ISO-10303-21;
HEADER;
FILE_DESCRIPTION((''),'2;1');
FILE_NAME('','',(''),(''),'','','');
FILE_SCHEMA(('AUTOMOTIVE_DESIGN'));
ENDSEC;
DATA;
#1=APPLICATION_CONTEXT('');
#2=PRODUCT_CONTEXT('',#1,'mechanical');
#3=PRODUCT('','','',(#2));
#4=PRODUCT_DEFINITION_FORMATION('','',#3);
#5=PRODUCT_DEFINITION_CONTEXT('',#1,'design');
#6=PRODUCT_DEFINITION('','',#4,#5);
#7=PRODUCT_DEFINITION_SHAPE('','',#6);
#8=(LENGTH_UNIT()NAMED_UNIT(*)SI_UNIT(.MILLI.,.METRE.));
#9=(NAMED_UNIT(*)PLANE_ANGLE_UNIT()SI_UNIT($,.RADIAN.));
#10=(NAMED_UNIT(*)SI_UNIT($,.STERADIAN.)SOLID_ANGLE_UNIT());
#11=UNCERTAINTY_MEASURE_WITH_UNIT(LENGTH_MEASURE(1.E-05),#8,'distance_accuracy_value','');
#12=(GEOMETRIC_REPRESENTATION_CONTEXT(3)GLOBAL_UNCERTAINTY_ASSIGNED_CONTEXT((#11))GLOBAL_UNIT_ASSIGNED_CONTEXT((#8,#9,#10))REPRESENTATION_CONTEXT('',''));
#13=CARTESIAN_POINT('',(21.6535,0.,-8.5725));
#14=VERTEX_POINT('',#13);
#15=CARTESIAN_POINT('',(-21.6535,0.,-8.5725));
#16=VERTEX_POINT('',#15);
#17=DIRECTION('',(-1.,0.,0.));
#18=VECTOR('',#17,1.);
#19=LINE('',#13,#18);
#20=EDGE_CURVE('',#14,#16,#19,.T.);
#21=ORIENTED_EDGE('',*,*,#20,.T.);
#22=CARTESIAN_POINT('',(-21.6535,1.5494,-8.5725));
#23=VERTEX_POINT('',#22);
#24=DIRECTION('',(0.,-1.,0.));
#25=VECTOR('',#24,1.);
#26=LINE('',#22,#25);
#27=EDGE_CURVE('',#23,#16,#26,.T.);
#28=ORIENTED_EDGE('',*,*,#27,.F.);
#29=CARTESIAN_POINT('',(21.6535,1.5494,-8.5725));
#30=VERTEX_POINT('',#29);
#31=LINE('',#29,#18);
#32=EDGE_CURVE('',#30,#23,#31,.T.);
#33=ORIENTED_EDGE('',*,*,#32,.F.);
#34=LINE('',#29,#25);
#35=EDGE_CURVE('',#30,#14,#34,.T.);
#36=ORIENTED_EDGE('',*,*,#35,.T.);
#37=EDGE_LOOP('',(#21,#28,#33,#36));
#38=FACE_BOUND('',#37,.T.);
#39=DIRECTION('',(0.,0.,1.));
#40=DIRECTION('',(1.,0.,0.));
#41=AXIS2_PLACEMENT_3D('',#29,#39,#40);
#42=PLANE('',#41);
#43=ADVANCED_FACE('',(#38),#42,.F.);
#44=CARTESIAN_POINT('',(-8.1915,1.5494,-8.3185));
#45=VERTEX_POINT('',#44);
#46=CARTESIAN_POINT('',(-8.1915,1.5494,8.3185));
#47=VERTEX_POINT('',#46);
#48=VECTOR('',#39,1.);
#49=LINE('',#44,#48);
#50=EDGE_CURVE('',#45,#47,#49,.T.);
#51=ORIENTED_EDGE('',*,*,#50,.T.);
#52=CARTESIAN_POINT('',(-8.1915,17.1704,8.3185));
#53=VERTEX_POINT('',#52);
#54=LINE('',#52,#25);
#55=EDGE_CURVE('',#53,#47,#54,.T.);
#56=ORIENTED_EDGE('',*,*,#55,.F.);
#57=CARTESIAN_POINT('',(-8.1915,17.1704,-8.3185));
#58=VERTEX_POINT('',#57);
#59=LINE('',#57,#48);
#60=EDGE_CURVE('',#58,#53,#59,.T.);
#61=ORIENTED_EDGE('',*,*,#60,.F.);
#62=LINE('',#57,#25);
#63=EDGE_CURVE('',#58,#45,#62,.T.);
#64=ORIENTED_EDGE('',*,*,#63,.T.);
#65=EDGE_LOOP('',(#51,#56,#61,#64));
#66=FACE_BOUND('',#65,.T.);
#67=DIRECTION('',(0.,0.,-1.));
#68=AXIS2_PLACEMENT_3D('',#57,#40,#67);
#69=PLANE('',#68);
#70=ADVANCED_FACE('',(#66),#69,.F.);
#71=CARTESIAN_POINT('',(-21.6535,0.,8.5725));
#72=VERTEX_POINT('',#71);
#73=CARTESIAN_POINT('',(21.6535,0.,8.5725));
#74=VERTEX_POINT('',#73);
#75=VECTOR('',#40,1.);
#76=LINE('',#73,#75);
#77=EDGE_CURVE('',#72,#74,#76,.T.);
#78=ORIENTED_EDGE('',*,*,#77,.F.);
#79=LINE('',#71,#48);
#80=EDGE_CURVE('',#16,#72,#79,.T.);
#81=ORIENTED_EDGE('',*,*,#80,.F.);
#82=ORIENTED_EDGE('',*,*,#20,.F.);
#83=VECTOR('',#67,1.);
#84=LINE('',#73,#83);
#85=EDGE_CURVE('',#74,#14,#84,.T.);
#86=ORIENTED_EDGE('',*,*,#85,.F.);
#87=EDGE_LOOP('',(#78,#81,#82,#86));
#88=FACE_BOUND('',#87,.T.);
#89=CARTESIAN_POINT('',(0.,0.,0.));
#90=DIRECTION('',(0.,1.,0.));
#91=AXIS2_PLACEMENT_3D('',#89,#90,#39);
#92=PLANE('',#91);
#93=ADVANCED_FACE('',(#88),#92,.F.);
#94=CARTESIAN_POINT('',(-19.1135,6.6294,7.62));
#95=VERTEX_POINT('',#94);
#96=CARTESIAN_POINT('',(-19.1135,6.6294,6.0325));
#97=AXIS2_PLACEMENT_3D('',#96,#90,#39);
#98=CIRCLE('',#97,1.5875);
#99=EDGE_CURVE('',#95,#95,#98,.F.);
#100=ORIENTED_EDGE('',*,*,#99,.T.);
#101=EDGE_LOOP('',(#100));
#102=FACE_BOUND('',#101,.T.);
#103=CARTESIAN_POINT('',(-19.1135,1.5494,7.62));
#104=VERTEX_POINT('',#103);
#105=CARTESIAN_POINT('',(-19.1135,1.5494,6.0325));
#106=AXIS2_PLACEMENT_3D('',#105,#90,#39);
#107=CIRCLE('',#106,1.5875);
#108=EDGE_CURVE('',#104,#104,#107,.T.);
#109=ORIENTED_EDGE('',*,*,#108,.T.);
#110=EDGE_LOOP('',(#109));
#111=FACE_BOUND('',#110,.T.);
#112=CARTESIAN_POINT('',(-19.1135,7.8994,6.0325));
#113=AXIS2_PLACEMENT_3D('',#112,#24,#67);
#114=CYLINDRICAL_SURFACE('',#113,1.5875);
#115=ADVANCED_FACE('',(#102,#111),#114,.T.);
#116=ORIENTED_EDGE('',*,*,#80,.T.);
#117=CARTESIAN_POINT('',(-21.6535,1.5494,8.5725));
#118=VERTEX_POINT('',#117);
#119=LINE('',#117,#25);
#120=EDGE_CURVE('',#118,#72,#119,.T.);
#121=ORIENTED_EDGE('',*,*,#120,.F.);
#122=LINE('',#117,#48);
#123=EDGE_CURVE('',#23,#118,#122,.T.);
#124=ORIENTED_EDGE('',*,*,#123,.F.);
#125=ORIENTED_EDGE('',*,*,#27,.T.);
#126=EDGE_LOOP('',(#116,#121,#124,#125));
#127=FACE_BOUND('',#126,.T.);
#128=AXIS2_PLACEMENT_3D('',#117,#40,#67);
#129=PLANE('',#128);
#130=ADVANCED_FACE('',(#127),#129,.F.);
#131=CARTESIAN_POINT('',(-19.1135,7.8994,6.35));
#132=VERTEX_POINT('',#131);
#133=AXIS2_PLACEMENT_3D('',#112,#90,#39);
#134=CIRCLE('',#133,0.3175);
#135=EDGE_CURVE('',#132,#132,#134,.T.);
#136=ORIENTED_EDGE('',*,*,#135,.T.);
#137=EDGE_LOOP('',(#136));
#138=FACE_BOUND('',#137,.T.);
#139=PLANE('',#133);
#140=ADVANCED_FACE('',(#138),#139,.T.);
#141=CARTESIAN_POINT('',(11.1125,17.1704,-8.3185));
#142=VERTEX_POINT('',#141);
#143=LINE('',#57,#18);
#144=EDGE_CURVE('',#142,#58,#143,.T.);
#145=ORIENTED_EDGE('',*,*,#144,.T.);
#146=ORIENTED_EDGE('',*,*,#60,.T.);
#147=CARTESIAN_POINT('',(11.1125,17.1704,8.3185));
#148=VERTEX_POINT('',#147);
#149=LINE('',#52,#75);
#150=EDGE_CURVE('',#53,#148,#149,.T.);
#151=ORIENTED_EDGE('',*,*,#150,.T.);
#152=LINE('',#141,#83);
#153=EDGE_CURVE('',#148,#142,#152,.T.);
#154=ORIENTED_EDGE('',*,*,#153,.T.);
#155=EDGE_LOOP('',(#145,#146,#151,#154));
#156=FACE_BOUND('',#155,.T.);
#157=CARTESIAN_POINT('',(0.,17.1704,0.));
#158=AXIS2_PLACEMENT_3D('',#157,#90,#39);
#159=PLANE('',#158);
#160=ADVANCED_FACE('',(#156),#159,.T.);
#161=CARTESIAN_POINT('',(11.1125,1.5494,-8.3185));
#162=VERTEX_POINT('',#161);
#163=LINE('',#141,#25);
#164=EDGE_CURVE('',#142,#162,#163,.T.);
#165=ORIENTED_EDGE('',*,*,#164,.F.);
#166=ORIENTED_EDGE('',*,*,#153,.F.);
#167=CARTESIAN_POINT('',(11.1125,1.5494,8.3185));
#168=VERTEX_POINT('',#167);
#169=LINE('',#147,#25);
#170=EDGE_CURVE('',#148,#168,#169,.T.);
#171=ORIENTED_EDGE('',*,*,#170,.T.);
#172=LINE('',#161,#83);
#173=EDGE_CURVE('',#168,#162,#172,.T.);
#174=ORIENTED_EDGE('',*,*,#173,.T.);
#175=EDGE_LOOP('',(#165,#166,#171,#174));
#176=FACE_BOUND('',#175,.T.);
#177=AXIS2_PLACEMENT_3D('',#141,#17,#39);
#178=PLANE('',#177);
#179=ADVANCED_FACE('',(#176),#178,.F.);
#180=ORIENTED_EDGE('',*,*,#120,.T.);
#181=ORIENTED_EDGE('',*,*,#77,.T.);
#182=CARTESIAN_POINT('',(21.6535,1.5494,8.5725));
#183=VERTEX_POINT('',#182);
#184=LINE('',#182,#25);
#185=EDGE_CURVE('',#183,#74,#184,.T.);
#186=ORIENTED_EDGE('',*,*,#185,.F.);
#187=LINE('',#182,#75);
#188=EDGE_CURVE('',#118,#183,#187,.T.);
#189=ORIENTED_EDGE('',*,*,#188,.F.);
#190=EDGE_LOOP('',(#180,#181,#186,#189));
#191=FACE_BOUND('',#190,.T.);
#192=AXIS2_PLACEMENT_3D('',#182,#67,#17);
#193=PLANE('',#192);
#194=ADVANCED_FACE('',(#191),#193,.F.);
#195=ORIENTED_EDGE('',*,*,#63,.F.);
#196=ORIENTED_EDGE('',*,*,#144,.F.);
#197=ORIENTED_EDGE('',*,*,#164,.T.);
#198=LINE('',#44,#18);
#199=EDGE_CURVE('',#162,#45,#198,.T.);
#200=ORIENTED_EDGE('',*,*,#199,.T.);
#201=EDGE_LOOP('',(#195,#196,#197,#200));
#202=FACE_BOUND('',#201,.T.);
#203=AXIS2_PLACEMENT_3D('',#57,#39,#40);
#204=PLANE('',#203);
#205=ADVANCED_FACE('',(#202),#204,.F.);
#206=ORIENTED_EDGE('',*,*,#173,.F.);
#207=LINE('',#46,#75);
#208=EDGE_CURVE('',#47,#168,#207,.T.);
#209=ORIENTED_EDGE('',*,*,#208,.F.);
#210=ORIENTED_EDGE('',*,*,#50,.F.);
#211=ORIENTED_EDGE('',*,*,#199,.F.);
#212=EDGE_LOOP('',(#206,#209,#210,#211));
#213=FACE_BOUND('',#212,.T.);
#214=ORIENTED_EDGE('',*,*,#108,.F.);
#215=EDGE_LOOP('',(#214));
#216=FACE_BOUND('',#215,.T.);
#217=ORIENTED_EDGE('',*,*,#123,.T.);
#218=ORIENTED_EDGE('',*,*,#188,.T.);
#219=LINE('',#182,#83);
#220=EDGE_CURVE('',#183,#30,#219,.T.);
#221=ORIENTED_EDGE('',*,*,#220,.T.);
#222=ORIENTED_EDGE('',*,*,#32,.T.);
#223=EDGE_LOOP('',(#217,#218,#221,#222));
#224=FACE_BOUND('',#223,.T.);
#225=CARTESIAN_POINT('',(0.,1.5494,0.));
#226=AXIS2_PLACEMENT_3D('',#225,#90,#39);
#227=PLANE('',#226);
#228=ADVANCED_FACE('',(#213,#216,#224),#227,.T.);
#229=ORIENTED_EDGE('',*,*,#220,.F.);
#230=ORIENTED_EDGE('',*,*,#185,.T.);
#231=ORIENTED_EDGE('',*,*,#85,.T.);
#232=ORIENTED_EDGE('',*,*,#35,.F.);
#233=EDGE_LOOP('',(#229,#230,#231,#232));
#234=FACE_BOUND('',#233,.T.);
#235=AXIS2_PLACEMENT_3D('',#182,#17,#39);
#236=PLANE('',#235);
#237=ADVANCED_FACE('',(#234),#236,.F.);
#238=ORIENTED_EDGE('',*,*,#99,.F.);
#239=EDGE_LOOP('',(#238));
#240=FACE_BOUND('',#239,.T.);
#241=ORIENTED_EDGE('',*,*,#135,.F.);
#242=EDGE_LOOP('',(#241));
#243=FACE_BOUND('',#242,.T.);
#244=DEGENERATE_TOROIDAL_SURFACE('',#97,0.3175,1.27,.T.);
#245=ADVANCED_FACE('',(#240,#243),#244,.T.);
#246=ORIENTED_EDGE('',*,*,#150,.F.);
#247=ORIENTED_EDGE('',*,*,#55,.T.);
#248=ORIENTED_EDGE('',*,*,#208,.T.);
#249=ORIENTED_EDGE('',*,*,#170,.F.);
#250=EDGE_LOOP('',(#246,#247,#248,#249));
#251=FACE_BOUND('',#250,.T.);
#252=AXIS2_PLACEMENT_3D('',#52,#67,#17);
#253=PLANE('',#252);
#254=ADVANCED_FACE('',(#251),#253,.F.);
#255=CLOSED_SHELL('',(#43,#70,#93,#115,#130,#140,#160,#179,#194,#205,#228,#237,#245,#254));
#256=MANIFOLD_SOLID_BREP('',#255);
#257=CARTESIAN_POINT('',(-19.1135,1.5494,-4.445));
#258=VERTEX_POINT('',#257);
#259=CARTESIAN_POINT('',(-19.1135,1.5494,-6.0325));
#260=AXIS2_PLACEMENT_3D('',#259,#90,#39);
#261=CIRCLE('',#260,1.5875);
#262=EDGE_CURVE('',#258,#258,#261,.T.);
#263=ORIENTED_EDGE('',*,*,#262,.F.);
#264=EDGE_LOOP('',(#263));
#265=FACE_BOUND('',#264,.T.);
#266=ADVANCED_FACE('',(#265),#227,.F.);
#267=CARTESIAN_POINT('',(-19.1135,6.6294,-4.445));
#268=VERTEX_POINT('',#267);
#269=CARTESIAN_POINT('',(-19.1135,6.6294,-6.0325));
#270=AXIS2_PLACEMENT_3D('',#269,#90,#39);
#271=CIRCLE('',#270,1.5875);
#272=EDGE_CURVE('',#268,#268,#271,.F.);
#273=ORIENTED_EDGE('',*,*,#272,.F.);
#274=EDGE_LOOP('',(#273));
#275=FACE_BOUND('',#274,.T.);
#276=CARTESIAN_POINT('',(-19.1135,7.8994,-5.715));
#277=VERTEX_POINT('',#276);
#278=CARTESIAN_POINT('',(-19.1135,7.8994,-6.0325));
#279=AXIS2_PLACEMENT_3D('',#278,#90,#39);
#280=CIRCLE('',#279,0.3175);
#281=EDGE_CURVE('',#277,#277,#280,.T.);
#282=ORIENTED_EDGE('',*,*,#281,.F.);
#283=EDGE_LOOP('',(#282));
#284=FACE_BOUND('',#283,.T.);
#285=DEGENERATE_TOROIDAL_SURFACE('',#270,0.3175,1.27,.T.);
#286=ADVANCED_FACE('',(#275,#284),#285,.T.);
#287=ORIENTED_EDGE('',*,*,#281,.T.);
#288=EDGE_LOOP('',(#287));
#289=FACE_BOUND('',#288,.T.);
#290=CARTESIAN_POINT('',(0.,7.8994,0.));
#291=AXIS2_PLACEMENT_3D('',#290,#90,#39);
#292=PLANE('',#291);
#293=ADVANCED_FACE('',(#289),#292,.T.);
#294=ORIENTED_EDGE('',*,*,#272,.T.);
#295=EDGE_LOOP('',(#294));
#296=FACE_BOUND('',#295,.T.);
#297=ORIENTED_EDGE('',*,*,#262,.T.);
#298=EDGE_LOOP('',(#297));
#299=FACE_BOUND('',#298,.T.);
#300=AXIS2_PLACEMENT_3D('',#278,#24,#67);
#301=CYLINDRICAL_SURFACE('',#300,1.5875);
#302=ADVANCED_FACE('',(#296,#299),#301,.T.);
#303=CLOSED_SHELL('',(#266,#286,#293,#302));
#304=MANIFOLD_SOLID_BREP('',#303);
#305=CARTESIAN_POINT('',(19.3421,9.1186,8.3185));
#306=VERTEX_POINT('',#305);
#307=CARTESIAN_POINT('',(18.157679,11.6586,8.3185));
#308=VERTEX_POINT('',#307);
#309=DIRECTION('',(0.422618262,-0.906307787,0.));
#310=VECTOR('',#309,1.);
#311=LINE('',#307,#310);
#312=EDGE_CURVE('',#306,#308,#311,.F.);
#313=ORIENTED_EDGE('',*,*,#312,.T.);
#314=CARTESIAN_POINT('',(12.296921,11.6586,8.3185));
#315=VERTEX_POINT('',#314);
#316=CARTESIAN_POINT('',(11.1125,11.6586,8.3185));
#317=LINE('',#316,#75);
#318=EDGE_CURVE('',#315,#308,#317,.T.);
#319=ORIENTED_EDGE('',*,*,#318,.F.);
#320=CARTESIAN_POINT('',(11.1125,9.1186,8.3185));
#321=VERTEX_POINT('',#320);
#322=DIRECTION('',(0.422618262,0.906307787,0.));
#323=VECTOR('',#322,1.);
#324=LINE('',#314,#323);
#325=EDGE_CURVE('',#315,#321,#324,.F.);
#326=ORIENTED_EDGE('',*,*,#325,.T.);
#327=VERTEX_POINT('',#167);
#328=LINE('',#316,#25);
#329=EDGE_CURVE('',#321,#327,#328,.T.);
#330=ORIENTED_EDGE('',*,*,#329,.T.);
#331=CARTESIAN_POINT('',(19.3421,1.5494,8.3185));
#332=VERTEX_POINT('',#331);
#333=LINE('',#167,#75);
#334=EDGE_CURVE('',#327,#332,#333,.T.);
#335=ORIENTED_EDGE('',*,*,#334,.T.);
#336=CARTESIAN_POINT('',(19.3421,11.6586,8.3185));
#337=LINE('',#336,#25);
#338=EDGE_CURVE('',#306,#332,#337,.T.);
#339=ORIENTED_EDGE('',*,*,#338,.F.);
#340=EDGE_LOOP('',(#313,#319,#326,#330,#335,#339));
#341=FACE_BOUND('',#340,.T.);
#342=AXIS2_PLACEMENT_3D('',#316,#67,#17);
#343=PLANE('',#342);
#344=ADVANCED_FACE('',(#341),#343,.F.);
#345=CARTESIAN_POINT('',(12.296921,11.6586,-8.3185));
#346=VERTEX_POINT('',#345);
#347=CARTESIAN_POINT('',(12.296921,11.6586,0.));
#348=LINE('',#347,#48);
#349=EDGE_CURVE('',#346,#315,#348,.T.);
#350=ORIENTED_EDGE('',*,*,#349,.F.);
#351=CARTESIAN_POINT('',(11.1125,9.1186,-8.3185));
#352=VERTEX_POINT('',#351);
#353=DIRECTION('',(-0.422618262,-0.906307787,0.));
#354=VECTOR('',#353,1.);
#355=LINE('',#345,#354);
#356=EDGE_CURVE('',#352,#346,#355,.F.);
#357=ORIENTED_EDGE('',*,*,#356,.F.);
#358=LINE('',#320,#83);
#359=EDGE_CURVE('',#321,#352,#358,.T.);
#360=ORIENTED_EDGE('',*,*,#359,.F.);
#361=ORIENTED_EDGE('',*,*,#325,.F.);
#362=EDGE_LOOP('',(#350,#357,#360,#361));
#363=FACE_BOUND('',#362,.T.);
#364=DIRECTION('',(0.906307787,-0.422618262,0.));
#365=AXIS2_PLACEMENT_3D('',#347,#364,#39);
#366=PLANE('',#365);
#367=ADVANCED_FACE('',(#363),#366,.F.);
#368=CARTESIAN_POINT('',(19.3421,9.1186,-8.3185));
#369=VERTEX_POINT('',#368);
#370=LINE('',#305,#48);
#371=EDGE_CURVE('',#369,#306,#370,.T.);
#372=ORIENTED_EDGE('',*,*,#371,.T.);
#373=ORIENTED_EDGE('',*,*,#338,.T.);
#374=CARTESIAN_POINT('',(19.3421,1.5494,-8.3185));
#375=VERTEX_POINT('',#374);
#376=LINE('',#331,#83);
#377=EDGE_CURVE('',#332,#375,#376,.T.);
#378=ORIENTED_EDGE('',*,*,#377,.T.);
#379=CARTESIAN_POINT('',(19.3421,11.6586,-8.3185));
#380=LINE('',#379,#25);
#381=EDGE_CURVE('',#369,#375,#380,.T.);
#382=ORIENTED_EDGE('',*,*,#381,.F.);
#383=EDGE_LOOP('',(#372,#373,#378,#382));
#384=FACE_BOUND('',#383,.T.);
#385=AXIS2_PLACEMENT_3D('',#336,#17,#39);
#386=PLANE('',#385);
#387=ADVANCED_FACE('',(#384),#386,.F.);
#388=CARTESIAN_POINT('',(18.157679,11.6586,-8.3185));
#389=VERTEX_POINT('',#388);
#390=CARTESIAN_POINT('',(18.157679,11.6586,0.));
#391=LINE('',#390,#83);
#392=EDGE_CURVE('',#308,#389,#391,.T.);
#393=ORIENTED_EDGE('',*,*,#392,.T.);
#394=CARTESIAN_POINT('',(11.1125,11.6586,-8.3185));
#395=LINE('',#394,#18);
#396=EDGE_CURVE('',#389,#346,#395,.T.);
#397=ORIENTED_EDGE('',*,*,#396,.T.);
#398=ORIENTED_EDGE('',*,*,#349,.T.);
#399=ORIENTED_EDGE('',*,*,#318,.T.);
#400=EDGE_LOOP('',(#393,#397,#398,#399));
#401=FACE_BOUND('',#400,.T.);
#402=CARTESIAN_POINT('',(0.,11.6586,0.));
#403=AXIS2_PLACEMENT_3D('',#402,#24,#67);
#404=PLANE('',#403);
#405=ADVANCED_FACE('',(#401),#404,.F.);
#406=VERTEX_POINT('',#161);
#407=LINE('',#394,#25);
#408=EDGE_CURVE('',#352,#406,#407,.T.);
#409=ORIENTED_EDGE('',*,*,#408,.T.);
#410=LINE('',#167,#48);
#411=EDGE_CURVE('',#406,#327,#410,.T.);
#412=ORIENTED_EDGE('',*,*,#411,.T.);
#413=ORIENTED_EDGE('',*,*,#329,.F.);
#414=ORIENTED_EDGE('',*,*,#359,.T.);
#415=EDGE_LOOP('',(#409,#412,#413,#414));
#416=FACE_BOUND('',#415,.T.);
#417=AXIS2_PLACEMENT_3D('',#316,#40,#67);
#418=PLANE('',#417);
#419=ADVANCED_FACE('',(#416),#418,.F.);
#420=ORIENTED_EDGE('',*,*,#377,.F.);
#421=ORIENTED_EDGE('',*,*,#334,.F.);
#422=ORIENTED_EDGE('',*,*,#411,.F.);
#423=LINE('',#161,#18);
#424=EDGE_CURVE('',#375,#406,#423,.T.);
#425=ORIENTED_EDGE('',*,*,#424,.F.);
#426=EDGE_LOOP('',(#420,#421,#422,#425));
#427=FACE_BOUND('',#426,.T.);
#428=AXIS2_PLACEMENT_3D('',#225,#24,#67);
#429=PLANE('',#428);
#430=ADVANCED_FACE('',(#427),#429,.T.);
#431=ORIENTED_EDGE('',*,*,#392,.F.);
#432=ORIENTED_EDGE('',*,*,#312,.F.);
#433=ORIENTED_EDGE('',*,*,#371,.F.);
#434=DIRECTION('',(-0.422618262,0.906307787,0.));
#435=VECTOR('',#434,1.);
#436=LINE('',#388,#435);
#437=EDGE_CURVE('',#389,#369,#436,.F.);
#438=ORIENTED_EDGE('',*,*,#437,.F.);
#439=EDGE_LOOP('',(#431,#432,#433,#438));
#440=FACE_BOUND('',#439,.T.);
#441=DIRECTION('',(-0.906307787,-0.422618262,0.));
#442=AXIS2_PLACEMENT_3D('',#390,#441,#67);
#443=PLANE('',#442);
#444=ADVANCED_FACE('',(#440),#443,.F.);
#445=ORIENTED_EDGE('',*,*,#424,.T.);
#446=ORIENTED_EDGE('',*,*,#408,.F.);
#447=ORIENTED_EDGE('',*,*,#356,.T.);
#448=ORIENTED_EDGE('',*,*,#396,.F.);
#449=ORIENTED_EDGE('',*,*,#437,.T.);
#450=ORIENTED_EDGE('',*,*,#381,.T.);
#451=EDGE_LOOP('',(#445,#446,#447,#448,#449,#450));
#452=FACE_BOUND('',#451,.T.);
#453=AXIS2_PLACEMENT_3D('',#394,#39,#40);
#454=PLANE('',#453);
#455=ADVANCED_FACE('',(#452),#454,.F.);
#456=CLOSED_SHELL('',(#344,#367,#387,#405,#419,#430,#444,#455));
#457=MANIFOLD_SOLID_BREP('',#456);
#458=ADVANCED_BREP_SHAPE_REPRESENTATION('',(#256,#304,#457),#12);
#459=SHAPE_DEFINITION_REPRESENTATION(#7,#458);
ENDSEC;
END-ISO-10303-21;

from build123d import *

# Parameters (mm, degrees)
SKETCH1_W             = 43.307
SKETCH1_H             = 17.145
BOSS_EXTRUDE1_DEPTH   = 1.5494
SKETCH2_W             = 19.304
SKETCH2_H             = 16.637
BOSS_EXTRUDE2_DEPTH   = 15.621
SKETCH3_W             = 8.2296
SKETCH3_H             = 16.637
BOSS_EXTRUDE3_DEPTH   = 10.1092
CHAMFER1_SIZE         = 2.54
CHAMFER1_SIZE2        = 1.184421452
CHAMFER1_PART_2_SIZE  = 2.54
CHAMFER1_PART_2_SIZE2 = 1.184421452
SKETCH4_R             = 1.5875
BOSS_EXTRUDE4_DEPTH   = 6.35
FILLET2_R             = 1.27
SKETCH5_R             = 1.5875
BOSS_EXTRUDE5_DEPTH   = 6.35
FILLET1_R             = 1.27


with BuildPart() as part:
    # Sketch1 → Boss-Extrude1 (new body)
    with BuildSketch(Plane(origin=(0, 0, 0), x_dir=(1, 0, 0), z_dir=(0, 1, 0))):
        Rectangle(SKETCH1_W, SKETCH1_H)
    extrude(amount=BOSS_EXTRUDE1_DEPTH)

    # Sketch2 → Boss-Extrude2 (add)
    with BuildSketch(Plane(origin=(0, 1.5494, 0), x_dir=(1, 0, 0), z_dir=(0, 1, 0))):
        with Locations((1.4605, 0)):
            Rectangle(SKETCH2_W, SKETCH2_H)
    extrude(amount=BOSS_EXTRUDE2_DEPTH)

    # Sketch5 → Boss-Extrude5 (add)
    with BuildSketch(Plane(origin=(0, 1.5494, 0), x_dir=(1, 0, 0), z_dir=(0, 1, 0))):
        with Locations((-19.1135, -6.0325)):
            Circle(SKETCH5_R)
    extrude(amount=BOSS_EXTRUDE5_DEPTH)

    # Fillet1
    fillet1_edges = [part.edges().sort_by_distance(p)[0] for p in [
        (-20.701, 7.8994, 6.0325),
    ]]
    fillet(fillet1_edges, radius=FILLET1_R)


with BuildPart() as body_2:
    # Sketch3 → Boss-Extrude3 (new body)
    with BuildSketch(Plane(origin=(0, 1.5494, 0), x_dir=(1, 0, 0), z_dir=(0, 1, 0))):
        with Locations((15.2273, 0)):
            Rectangle(SKETCH3_W, SKETCH3_H)
    extrude(amount=BOSS_EXTRUDE3_DEPTH)

    # Chamfer1
    chamfer1_edges = [body_2.edges().sort_by_distance(p)[0] for p in [
        (19.3421, 11.6586, 0),
    ]]
    chamfer1_side = [body_2.faces().sort_by_distance(p)[0] for p in [
        (19.3421, 6.604, 0),
    ]]
    chamfer(chamfer1_edges, length=CHAMFER1_SIZE, length2=CHAMFER1_SIZE2, reference=chamfer1_side[0])

    # Chamfer1 part 2
    chamfer1_part_2_edges = [body_2.edges().sort_by_distance(p)[0] for p in [
        (11.1125, 11.6586, 0),
    ]]
    chamfer1_part_2_side = [body_2.faces().sort_by_distance(p)[0] for p in [
        (11.1125, 6.604, 0),
    ]]
    chamfer(chamfer1_part_2_edges, length=CHAMFER1_PART_2_SIZE, length2=CHAMFER1_PART_2_SIZE2, reference=chamfer1_part_2_side[0])


with BuildPart() as body_3:
    # Sketch4 → Boss-Extrude4 (new body)
    with BuildSketch(Plane(origin=(0, 1.5494, 0), x_dir=(1, 0, 0), z_dir=(0, 1, 0))):
        with Locations((-19.1135, 6.0325)):
            Circle(SKETCH4_R)
    extrude(amount=BOSS_EXTRUDE4_DEPTH)

    # Fillet2
    fillet2_edges = [body_3.edges().sort_by_distance(p)[0] for p in [
        (-20.701, 7.8994, -6.0325),
    ]]
    fillet(fillet2_edges, radius=FILLET2_R)


solid = Compound([part.part, body_2.part, body_3.part])
